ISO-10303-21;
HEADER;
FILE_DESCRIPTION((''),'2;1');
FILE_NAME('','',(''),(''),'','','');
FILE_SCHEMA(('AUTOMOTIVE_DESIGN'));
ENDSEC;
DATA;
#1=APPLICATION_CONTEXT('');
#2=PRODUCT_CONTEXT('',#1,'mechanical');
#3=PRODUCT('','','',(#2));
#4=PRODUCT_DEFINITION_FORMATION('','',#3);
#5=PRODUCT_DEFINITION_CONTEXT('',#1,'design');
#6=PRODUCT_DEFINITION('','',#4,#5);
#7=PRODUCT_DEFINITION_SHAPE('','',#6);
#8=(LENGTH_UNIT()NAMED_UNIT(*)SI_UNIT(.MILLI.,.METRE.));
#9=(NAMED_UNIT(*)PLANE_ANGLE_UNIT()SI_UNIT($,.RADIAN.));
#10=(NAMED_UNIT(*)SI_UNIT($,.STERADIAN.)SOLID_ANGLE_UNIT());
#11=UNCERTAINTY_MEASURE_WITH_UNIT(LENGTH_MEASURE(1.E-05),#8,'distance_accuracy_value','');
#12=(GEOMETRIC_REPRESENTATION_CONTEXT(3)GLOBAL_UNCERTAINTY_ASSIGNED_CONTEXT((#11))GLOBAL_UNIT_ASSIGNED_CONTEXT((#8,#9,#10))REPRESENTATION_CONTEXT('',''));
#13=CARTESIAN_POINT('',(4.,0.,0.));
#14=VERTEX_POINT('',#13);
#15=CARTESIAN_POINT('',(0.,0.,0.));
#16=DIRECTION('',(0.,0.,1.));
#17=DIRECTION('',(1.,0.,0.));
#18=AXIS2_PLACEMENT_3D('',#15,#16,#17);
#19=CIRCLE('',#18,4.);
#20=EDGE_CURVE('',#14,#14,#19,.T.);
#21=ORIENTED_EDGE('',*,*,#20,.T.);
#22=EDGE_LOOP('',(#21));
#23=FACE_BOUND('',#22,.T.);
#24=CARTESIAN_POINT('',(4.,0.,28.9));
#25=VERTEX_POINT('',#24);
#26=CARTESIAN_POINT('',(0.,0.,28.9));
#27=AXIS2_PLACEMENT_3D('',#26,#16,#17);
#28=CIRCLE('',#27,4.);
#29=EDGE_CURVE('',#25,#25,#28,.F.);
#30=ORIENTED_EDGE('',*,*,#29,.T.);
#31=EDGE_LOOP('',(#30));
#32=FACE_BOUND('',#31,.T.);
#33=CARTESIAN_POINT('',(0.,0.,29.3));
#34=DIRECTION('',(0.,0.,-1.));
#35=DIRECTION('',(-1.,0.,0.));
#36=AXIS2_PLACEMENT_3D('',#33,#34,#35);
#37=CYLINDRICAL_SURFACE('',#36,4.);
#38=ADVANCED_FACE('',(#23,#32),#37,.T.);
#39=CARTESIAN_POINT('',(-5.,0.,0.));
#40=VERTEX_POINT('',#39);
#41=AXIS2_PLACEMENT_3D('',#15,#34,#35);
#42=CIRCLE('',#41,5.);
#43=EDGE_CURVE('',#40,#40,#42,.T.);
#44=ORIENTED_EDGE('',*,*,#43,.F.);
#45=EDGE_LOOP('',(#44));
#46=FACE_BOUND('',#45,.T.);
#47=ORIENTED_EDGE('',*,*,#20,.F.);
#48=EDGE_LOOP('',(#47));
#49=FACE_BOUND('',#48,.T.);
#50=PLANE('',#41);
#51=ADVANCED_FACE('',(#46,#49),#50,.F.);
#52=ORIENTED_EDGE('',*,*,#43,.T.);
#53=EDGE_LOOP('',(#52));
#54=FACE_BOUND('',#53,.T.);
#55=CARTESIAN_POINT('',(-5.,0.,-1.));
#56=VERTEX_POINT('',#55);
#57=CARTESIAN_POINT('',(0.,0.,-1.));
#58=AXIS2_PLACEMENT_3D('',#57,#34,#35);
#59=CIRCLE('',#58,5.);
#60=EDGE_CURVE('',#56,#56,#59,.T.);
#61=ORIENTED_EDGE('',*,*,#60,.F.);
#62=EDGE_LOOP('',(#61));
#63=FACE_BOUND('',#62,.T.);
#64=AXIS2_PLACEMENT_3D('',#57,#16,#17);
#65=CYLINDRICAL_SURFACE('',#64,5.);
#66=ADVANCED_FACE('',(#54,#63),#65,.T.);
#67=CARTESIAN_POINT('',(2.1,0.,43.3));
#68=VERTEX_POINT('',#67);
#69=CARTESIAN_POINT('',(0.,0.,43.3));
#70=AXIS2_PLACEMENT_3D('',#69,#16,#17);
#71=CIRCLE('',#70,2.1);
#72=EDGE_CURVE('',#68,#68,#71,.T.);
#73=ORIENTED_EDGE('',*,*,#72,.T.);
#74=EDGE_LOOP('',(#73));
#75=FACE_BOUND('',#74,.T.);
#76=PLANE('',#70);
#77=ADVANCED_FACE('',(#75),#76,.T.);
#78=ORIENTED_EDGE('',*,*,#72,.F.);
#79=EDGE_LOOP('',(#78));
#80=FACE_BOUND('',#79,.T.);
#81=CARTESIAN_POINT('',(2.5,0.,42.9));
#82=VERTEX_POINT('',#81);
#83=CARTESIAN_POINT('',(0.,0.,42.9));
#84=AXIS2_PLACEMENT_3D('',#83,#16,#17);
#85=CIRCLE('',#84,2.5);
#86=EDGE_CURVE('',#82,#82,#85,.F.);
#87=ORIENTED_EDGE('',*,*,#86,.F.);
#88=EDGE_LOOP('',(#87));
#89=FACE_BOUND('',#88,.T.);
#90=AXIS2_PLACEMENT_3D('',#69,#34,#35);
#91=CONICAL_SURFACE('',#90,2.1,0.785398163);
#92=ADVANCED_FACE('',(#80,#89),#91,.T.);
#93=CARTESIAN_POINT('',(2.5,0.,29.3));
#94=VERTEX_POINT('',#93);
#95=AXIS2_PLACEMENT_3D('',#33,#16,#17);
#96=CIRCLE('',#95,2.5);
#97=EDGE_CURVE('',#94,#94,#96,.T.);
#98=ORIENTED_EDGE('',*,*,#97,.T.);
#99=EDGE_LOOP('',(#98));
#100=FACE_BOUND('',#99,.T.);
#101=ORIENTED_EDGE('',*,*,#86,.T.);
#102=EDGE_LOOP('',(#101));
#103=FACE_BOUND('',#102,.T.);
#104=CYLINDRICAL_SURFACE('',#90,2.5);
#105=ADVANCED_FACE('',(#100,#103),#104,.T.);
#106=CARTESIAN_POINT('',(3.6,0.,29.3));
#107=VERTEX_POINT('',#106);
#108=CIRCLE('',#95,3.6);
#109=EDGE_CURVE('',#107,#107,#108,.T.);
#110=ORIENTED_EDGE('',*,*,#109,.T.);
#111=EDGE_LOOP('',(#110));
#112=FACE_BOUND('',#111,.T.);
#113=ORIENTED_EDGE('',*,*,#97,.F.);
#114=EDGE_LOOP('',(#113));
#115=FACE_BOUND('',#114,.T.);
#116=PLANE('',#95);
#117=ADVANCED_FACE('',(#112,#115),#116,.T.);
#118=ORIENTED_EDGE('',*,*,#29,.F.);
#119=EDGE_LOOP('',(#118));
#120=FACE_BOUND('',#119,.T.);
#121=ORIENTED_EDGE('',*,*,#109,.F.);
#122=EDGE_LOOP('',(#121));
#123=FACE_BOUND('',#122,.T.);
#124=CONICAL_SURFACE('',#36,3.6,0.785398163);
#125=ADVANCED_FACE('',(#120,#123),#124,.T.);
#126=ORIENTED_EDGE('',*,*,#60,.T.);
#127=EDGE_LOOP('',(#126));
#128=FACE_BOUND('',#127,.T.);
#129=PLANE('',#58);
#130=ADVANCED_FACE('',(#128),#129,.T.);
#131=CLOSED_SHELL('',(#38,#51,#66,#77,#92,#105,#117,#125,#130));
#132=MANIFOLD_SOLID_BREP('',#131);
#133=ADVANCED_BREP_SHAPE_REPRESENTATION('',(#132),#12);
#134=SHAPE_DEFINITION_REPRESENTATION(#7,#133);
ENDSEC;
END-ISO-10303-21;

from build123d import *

# Parameters (mm, degrees)
SKETCH1_R           = 4
BOSS_EXTRUDE1_DEPTH = 29.3
SKETCH5_R           = 2.5
BOSS_EXTRUDE4_DEPTH = 14
SKETCH6_R           = 5
BOSS_EXTRUDE5_DEPTH = 1
CHAMFER1_SIZE       = 0.4


with BuildPart() as part:
    # Sketch1 → Boss-Extrude1 (new body)
    with BuildSketch(Plane.XY):
        Circle(SKETCH1_R)
    extrude(amount=BOSS_EXTRUDE1_DEPTH)

    # Sketch5 → Boss-Extrude4 (add)
    with BuildSketch(Plane.XY.offset(29.3)):
        Circle(SKETCH5_R)
    extrude(amount=BOSS_EXTRUDE4_DEPTH)

    # Sketch6 → Boss-Extrude5 (add)
    with BuildSketch(Plane(origin=(0, 0, 0), x_dir=(-1, 0, 0), z_dir=(0, 0, -1))):
        Circle(SKETCH6_R)
    extrude(amount=BOSS_EXTRUDE5_DEPTH)

    # Chamfer1
    chamfer1_edges = [part.edges().sort_by_distance(p)[0] for p in [
        (-4, 0, 29.3),
        (-2.5, 0, 43.3),
    ]]
    chamfer(chamfer1_edges, length=CHAMFER1_SIZE)


solid = part.part
